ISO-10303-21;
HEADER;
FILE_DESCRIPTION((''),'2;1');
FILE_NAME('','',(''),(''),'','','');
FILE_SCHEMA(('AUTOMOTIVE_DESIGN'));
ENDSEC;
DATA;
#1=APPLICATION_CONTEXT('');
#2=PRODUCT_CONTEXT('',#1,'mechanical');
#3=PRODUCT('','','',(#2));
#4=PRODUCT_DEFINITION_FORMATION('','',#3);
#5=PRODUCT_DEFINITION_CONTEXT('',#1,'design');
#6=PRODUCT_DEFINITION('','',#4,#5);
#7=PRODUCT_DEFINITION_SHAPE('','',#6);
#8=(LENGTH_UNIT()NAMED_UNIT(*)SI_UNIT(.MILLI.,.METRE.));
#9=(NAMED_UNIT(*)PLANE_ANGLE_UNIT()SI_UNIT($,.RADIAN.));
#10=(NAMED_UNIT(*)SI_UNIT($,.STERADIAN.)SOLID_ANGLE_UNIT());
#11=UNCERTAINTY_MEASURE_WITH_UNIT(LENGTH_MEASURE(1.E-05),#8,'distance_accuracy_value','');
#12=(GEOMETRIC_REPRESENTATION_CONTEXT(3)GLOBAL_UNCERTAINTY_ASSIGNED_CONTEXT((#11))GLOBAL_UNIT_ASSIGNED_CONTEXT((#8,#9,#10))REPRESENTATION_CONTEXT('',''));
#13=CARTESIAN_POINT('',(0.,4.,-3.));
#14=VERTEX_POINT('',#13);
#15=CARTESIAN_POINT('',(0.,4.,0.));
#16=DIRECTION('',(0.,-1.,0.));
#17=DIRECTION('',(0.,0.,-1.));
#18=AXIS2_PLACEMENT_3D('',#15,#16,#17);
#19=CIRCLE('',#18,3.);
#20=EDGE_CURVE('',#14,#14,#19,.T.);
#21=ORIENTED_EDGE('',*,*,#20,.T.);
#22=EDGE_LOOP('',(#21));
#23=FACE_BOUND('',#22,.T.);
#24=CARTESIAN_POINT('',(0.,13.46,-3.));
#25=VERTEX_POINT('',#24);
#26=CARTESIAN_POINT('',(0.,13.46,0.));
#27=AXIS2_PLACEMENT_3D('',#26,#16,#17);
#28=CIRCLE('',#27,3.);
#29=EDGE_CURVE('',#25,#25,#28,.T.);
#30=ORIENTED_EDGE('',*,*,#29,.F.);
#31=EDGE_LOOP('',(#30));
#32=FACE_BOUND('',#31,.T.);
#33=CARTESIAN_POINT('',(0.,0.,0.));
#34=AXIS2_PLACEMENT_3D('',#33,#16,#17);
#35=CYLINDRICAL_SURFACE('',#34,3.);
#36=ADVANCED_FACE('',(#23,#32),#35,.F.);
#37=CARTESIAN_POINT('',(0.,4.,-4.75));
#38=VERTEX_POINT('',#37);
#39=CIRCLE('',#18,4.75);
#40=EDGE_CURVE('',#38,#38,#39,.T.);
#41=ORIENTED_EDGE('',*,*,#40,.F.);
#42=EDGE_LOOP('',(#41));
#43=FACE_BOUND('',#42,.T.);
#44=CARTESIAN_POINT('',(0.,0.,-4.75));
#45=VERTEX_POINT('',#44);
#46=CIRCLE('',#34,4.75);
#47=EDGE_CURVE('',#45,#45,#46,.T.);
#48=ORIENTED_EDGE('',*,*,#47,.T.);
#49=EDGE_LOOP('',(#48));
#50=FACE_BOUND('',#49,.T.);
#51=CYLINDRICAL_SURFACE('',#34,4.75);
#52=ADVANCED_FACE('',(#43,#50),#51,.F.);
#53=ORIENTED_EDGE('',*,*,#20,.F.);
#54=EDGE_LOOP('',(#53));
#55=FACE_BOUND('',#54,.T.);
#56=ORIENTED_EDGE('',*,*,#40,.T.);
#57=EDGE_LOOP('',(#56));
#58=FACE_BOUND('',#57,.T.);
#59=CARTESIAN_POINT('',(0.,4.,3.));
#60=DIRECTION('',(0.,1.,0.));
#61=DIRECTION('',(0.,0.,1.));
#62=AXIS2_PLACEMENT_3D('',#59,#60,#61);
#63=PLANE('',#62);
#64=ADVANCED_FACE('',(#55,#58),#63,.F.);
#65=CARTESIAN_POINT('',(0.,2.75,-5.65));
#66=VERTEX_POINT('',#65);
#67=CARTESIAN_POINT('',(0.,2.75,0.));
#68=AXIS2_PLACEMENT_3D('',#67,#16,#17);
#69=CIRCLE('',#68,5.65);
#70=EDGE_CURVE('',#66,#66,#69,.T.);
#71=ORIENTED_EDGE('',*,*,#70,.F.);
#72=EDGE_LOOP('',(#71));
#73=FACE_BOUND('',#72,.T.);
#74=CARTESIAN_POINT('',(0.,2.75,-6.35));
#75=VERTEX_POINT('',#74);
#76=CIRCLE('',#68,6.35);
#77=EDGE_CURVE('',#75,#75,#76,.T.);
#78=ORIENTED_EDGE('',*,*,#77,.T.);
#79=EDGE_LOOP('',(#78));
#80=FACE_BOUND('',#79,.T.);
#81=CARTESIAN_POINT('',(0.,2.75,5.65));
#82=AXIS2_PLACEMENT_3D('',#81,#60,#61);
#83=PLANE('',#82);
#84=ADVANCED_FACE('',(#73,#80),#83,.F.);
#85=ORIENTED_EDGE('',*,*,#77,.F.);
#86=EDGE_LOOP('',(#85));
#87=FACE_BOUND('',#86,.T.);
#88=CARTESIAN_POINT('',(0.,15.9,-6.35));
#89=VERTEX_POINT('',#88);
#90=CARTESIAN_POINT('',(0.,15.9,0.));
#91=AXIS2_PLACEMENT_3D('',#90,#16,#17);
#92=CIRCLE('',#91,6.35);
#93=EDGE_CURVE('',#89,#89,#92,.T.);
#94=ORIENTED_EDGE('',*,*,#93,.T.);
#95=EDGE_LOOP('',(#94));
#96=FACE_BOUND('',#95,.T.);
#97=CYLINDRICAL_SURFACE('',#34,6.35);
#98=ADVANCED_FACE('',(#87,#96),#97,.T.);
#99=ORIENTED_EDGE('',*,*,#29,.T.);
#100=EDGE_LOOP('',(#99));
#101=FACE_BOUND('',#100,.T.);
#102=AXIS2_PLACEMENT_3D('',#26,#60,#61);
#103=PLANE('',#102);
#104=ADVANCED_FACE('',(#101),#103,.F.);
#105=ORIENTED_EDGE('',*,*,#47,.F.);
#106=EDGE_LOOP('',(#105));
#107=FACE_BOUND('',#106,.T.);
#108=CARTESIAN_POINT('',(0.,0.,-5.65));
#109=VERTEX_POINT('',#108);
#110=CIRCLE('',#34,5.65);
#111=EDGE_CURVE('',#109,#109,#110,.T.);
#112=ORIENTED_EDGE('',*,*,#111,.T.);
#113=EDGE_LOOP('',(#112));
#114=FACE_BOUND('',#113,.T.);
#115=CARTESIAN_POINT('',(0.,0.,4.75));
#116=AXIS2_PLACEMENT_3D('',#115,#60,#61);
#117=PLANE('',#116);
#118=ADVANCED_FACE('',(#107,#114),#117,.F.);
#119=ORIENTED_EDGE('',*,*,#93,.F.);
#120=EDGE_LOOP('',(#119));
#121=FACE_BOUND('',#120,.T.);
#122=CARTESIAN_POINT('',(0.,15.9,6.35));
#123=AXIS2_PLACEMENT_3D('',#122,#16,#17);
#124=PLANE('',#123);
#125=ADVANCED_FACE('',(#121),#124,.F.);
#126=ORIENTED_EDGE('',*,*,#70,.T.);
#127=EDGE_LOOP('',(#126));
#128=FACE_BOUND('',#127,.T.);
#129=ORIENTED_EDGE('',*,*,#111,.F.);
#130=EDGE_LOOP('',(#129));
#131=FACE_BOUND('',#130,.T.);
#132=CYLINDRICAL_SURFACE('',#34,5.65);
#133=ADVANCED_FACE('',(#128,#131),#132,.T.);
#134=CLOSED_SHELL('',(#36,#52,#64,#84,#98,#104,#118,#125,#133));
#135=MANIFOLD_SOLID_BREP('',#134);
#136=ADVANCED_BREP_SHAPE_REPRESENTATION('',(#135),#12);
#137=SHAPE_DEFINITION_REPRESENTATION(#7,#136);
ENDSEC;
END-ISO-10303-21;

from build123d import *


with BuildPart() as part:
    # Sketch1 → Revolve1 (revolve)
    with BuildSketch(Plane(origin=(0, 0, 0), x_dir=(0, 0, -1), z_dir=(1, 0, 0)), mode=Mode.PRIVATE) as revolve1_sk:
        Polygon((-3, 4), (-4.75, 4), (-4.75, 0), (-5.65, 0), (-5.65, 2.75), (-6.35, 2.75), (-6.35, 15.9), (0, 15.9), (0, 13.46), (-3, 13.46), align=None)
    revolve(revolve1_sk.sketch.rotate(Axis((0, 0, 0), (0, 1, 0)), 180), axis=Axis((0, 0, 0), (0, 1, 0)))


solid = part.part
